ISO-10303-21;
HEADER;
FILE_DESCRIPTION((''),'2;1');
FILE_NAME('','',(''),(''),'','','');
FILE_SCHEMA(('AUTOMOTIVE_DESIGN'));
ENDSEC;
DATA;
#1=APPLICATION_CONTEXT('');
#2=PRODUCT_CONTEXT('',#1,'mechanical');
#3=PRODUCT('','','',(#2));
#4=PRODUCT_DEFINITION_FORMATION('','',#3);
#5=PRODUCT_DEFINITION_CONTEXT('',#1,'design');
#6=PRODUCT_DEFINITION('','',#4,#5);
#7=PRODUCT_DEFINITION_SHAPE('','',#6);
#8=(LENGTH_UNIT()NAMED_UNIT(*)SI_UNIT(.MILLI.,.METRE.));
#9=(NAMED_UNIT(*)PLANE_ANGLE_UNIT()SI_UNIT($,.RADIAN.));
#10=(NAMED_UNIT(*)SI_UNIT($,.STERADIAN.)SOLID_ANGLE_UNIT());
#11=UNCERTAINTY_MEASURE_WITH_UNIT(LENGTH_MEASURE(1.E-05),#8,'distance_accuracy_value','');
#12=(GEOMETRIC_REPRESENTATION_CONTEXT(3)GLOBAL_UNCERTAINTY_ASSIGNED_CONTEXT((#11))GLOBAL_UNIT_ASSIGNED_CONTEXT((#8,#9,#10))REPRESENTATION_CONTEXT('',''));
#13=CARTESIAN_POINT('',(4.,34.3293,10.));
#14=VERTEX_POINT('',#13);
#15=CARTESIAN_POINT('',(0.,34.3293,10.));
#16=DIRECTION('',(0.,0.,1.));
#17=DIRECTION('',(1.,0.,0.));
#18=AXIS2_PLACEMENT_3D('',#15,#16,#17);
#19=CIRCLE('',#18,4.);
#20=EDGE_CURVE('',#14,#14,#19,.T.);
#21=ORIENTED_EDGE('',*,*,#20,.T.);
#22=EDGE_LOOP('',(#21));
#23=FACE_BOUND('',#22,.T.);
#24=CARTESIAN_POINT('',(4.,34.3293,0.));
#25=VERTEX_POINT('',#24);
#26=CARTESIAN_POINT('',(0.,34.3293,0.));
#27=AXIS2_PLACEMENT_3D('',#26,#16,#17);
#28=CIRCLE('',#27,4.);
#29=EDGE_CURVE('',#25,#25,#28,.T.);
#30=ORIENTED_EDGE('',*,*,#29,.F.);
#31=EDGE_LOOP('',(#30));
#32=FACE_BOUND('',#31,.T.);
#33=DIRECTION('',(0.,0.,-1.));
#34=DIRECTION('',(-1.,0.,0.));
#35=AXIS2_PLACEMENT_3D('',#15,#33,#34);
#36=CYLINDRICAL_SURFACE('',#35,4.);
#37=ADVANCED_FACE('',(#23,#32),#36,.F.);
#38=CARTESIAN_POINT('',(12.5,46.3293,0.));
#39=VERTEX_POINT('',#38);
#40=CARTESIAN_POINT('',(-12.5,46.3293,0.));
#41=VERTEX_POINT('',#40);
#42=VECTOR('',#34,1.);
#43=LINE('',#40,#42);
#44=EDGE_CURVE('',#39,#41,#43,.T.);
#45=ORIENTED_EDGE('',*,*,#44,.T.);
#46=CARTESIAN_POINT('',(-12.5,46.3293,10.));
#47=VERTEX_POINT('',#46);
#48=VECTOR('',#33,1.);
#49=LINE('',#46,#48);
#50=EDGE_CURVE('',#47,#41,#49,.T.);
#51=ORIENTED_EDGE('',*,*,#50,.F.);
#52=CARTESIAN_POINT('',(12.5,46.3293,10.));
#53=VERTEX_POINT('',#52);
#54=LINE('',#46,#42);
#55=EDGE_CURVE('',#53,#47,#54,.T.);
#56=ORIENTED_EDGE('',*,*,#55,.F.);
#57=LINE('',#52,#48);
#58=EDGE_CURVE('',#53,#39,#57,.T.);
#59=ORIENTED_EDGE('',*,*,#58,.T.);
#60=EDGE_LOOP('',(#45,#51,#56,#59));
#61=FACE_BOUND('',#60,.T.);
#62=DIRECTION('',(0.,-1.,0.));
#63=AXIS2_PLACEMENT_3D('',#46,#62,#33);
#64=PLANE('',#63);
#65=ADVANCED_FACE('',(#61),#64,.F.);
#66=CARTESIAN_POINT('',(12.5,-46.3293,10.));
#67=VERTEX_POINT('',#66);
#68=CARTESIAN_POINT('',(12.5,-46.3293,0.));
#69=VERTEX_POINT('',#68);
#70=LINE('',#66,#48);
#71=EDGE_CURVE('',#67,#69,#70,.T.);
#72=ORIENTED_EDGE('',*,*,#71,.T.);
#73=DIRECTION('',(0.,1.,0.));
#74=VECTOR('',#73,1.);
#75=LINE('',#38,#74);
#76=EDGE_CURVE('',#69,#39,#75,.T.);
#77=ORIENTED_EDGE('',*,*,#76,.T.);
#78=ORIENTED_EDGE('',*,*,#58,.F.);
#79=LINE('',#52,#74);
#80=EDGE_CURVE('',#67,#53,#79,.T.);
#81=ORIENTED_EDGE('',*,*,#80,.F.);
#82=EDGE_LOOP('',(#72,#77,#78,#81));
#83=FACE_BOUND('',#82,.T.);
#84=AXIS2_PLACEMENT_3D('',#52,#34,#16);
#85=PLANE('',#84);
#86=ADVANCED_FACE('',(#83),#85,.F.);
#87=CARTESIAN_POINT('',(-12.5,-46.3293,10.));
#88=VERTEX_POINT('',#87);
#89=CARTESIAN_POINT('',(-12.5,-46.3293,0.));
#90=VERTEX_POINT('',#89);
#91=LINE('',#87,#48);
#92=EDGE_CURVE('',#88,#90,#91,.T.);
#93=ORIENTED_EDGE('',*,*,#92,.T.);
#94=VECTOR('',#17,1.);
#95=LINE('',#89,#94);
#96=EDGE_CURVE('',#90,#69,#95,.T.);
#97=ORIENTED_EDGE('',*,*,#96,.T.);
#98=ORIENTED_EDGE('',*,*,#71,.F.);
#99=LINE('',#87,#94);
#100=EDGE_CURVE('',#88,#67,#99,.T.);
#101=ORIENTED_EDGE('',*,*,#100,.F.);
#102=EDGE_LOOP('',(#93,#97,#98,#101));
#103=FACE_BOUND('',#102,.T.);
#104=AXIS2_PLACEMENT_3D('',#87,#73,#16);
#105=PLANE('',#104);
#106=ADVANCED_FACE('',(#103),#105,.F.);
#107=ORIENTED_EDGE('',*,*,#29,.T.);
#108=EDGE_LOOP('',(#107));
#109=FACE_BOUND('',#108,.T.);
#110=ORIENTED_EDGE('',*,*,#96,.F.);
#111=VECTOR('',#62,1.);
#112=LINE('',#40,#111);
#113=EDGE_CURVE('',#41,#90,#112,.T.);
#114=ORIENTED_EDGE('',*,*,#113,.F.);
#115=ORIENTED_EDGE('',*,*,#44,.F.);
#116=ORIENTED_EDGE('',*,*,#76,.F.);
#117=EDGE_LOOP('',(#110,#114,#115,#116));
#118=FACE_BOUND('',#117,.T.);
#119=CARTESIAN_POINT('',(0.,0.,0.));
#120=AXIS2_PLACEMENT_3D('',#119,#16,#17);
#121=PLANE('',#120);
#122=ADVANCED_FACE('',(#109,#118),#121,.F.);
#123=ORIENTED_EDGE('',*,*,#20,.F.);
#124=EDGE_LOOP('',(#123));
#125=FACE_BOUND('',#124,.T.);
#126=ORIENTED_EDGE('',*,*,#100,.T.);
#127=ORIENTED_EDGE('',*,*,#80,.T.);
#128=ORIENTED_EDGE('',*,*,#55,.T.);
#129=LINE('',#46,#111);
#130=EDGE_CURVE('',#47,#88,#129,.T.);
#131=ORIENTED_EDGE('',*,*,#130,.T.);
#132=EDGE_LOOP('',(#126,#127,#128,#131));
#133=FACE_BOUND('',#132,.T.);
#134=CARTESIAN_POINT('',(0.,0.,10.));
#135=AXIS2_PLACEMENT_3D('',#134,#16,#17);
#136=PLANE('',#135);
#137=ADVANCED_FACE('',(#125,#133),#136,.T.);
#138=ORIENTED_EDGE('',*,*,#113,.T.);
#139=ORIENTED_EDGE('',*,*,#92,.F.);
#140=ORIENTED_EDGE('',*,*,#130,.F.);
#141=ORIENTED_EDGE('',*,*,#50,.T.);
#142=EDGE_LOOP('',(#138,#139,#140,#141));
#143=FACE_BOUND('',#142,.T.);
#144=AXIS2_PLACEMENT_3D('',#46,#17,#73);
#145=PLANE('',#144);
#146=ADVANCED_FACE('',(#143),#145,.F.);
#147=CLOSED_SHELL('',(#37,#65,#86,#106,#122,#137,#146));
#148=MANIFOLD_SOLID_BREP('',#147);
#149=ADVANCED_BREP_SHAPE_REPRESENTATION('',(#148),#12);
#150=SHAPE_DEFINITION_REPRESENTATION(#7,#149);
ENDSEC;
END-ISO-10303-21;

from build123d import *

# Parameters (mm, degrees)
SKETCH1_W           = 25
SKETCH1_H           = 92.6586
SKETCH1_R           = 4
BOSS_EXTRUDE1_DEPTH = 10


with BuildPart() as part:
    # Sketch1 → Boss-Extrude1 (new body)
    with BuildSketch(Plane.XY):
        Rectangle(SKETCH1_W, SKETCH1_H)
        with Locations((0, 34.3293)):
            Circle(SKETCH1_R, mode=Mode.SUBTRACT)
    extrude(amount=BOSS_EXTRUDE1_DEPTH)


solid = part.part
